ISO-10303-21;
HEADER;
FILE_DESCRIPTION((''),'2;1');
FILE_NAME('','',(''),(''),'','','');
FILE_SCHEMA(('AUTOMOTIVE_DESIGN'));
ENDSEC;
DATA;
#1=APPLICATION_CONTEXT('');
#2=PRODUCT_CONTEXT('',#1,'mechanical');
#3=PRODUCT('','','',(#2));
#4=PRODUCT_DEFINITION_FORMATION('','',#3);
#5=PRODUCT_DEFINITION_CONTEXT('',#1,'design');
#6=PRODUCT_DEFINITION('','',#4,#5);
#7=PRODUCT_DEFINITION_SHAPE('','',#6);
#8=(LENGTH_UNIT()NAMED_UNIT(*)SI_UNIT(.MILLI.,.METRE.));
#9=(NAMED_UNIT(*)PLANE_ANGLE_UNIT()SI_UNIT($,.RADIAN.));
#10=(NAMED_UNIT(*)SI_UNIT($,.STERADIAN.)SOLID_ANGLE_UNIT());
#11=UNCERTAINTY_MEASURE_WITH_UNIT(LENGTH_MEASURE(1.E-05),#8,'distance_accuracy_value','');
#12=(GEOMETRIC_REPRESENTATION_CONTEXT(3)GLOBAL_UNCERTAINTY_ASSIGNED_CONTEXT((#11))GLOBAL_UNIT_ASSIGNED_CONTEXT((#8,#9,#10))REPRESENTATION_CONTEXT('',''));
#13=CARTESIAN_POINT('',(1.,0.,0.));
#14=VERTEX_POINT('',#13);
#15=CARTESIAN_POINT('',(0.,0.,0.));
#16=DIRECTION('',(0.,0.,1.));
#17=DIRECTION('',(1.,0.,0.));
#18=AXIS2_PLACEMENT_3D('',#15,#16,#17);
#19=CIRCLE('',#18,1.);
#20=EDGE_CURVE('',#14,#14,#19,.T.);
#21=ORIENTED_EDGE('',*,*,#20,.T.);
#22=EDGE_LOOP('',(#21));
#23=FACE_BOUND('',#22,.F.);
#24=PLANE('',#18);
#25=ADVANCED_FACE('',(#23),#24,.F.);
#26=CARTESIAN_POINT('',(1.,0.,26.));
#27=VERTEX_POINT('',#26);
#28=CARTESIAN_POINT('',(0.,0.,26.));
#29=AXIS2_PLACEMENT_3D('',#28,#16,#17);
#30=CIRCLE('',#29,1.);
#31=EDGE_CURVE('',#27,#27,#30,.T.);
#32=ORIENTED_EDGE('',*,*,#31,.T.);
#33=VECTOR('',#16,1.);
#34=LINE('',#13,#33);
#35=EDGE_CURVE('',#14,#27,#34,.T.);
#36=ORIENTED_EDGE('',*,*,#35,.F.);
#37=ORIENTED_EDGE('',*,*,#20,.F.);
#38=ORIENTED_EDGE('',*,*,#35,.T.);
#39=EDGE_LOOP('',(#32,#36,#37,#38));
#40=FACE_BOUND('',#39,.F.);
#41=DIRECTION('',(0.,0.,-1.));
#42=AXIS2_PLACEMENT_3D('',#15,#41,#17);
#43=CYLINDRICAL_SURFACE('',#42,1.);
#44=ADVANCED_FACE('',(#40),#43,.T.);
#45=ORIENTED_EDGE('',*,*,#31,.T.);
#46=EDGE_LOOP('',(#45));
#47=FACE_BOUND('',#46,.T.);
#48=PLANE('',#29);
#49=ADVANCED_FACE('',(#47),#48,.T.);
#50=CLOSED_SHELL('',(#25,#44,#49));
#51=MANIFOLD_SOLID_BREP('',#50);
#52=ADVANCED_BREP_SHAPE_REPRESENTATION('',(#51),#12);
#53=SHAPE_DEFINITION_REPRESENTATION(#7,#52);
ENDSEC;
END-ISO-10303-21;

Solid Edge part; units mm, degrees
sketch "Sketch1" plane through (0, 0, 0) normal (0, 0, 1) x (1, 0, 0)
  circle A0 centre (0, 0) radius 1
  dimension "D1" = 2
extrude "Protrusion1" add sketch "Sketch1" along normal blind 26
cosmetic_thread "Thread1" size "M2"
properties material "Stainless Steel, 420"
